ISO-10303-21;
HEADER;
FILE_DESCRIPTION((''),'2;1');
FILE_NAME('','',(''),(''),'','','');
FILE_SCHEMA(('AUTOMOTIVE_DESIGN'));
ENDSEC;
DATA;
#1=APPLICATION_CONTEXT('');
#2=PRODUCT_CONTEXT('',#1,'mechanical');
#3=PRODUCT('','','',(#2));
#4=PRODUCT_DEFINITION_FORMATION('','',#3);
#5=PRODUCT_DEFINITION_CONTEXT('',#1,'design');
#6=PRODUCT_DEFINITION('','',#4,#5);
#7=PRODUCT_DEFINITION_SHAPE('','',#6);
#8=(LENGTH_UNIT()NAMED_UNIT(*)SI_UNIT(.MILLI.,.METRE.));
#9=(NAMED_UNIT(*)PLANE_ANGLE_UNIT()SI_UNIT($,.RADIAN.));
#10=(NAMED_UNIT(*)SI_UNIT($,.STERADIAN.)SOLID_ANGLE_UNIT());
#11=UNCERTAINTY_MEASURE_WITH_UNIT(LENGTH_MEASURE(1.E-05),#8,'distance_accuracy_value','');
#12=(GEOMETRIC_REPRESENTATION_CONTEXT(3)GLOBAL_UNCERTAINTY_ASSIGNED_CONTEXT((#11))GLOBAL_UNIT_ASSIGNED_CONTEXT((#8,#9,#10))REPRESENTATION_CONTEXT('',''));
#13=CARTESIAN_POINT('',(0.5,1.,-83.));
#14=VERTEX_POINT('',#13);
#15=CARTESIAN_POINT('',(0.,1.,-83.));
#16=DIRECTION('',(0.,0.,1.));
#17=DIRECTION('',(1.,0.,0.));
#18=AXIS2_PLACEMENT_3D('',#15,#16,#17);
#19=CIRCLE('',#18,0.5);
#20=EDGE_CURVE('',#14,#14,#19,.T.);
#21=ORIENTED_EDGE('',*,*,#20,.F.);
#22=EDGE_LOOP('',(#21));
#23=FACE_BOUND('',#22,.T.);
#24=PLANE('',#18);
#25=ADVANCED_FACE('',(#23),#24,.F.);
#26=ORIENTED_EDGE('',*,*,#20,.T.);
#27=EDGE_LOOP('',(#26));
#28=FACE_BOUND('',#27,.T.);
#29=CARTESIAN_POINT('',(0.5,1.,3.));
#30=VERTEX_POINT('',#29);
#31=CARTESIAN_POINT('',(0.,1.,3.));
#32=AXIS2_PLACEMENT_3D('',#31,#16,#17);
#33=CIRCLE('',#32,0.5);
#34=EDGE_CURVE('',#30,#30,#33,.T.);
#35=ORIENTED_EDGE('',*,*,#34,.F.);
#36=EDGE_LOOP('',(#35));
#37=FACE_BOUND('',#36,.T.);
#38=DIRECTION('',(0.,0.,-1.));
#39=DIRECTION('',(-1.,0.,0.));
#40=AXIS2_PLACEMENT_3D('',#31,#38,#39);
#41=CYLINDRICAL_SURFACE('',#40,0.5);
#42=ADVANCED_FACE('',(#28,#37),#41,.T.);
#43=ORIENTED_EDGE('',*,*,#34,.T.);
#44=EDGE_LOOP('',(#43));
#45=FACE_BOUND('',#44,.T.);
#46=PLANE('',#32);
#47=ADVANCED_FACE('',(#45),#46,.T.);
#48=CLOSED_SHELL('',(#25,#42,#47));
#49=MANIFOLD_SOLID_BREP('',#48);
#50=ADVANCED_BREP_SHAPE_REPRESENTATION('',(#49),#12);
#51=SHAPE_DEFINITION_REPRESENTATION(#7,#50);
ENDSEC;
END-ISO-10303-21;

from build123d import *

# Parameters (mm, degrees)
BOSS_EXTRU_1_DEPTH      = 3
BOSS_EXTRU_1_DEPTH_BACK = 83
ESQUISSE1_R             = 0.5


with BuildPart() as part:
    # Esquisse1 → Boss.-Extru.1 (new, two sides: drawn at the far end of the back side and taken through both)
    with BuildSketch(Plane.XY.offset(-BOSS_EXTRU_1_DEPTH_BACK)):
        with Locations((0, 1)):
            Circle(ESQUISSE1_R)
    extrude(amount=BOSS_EXTRU_1_DEPTH + BOSS_EXTRU_1_DEPTH_BACK)


solid = part.part
